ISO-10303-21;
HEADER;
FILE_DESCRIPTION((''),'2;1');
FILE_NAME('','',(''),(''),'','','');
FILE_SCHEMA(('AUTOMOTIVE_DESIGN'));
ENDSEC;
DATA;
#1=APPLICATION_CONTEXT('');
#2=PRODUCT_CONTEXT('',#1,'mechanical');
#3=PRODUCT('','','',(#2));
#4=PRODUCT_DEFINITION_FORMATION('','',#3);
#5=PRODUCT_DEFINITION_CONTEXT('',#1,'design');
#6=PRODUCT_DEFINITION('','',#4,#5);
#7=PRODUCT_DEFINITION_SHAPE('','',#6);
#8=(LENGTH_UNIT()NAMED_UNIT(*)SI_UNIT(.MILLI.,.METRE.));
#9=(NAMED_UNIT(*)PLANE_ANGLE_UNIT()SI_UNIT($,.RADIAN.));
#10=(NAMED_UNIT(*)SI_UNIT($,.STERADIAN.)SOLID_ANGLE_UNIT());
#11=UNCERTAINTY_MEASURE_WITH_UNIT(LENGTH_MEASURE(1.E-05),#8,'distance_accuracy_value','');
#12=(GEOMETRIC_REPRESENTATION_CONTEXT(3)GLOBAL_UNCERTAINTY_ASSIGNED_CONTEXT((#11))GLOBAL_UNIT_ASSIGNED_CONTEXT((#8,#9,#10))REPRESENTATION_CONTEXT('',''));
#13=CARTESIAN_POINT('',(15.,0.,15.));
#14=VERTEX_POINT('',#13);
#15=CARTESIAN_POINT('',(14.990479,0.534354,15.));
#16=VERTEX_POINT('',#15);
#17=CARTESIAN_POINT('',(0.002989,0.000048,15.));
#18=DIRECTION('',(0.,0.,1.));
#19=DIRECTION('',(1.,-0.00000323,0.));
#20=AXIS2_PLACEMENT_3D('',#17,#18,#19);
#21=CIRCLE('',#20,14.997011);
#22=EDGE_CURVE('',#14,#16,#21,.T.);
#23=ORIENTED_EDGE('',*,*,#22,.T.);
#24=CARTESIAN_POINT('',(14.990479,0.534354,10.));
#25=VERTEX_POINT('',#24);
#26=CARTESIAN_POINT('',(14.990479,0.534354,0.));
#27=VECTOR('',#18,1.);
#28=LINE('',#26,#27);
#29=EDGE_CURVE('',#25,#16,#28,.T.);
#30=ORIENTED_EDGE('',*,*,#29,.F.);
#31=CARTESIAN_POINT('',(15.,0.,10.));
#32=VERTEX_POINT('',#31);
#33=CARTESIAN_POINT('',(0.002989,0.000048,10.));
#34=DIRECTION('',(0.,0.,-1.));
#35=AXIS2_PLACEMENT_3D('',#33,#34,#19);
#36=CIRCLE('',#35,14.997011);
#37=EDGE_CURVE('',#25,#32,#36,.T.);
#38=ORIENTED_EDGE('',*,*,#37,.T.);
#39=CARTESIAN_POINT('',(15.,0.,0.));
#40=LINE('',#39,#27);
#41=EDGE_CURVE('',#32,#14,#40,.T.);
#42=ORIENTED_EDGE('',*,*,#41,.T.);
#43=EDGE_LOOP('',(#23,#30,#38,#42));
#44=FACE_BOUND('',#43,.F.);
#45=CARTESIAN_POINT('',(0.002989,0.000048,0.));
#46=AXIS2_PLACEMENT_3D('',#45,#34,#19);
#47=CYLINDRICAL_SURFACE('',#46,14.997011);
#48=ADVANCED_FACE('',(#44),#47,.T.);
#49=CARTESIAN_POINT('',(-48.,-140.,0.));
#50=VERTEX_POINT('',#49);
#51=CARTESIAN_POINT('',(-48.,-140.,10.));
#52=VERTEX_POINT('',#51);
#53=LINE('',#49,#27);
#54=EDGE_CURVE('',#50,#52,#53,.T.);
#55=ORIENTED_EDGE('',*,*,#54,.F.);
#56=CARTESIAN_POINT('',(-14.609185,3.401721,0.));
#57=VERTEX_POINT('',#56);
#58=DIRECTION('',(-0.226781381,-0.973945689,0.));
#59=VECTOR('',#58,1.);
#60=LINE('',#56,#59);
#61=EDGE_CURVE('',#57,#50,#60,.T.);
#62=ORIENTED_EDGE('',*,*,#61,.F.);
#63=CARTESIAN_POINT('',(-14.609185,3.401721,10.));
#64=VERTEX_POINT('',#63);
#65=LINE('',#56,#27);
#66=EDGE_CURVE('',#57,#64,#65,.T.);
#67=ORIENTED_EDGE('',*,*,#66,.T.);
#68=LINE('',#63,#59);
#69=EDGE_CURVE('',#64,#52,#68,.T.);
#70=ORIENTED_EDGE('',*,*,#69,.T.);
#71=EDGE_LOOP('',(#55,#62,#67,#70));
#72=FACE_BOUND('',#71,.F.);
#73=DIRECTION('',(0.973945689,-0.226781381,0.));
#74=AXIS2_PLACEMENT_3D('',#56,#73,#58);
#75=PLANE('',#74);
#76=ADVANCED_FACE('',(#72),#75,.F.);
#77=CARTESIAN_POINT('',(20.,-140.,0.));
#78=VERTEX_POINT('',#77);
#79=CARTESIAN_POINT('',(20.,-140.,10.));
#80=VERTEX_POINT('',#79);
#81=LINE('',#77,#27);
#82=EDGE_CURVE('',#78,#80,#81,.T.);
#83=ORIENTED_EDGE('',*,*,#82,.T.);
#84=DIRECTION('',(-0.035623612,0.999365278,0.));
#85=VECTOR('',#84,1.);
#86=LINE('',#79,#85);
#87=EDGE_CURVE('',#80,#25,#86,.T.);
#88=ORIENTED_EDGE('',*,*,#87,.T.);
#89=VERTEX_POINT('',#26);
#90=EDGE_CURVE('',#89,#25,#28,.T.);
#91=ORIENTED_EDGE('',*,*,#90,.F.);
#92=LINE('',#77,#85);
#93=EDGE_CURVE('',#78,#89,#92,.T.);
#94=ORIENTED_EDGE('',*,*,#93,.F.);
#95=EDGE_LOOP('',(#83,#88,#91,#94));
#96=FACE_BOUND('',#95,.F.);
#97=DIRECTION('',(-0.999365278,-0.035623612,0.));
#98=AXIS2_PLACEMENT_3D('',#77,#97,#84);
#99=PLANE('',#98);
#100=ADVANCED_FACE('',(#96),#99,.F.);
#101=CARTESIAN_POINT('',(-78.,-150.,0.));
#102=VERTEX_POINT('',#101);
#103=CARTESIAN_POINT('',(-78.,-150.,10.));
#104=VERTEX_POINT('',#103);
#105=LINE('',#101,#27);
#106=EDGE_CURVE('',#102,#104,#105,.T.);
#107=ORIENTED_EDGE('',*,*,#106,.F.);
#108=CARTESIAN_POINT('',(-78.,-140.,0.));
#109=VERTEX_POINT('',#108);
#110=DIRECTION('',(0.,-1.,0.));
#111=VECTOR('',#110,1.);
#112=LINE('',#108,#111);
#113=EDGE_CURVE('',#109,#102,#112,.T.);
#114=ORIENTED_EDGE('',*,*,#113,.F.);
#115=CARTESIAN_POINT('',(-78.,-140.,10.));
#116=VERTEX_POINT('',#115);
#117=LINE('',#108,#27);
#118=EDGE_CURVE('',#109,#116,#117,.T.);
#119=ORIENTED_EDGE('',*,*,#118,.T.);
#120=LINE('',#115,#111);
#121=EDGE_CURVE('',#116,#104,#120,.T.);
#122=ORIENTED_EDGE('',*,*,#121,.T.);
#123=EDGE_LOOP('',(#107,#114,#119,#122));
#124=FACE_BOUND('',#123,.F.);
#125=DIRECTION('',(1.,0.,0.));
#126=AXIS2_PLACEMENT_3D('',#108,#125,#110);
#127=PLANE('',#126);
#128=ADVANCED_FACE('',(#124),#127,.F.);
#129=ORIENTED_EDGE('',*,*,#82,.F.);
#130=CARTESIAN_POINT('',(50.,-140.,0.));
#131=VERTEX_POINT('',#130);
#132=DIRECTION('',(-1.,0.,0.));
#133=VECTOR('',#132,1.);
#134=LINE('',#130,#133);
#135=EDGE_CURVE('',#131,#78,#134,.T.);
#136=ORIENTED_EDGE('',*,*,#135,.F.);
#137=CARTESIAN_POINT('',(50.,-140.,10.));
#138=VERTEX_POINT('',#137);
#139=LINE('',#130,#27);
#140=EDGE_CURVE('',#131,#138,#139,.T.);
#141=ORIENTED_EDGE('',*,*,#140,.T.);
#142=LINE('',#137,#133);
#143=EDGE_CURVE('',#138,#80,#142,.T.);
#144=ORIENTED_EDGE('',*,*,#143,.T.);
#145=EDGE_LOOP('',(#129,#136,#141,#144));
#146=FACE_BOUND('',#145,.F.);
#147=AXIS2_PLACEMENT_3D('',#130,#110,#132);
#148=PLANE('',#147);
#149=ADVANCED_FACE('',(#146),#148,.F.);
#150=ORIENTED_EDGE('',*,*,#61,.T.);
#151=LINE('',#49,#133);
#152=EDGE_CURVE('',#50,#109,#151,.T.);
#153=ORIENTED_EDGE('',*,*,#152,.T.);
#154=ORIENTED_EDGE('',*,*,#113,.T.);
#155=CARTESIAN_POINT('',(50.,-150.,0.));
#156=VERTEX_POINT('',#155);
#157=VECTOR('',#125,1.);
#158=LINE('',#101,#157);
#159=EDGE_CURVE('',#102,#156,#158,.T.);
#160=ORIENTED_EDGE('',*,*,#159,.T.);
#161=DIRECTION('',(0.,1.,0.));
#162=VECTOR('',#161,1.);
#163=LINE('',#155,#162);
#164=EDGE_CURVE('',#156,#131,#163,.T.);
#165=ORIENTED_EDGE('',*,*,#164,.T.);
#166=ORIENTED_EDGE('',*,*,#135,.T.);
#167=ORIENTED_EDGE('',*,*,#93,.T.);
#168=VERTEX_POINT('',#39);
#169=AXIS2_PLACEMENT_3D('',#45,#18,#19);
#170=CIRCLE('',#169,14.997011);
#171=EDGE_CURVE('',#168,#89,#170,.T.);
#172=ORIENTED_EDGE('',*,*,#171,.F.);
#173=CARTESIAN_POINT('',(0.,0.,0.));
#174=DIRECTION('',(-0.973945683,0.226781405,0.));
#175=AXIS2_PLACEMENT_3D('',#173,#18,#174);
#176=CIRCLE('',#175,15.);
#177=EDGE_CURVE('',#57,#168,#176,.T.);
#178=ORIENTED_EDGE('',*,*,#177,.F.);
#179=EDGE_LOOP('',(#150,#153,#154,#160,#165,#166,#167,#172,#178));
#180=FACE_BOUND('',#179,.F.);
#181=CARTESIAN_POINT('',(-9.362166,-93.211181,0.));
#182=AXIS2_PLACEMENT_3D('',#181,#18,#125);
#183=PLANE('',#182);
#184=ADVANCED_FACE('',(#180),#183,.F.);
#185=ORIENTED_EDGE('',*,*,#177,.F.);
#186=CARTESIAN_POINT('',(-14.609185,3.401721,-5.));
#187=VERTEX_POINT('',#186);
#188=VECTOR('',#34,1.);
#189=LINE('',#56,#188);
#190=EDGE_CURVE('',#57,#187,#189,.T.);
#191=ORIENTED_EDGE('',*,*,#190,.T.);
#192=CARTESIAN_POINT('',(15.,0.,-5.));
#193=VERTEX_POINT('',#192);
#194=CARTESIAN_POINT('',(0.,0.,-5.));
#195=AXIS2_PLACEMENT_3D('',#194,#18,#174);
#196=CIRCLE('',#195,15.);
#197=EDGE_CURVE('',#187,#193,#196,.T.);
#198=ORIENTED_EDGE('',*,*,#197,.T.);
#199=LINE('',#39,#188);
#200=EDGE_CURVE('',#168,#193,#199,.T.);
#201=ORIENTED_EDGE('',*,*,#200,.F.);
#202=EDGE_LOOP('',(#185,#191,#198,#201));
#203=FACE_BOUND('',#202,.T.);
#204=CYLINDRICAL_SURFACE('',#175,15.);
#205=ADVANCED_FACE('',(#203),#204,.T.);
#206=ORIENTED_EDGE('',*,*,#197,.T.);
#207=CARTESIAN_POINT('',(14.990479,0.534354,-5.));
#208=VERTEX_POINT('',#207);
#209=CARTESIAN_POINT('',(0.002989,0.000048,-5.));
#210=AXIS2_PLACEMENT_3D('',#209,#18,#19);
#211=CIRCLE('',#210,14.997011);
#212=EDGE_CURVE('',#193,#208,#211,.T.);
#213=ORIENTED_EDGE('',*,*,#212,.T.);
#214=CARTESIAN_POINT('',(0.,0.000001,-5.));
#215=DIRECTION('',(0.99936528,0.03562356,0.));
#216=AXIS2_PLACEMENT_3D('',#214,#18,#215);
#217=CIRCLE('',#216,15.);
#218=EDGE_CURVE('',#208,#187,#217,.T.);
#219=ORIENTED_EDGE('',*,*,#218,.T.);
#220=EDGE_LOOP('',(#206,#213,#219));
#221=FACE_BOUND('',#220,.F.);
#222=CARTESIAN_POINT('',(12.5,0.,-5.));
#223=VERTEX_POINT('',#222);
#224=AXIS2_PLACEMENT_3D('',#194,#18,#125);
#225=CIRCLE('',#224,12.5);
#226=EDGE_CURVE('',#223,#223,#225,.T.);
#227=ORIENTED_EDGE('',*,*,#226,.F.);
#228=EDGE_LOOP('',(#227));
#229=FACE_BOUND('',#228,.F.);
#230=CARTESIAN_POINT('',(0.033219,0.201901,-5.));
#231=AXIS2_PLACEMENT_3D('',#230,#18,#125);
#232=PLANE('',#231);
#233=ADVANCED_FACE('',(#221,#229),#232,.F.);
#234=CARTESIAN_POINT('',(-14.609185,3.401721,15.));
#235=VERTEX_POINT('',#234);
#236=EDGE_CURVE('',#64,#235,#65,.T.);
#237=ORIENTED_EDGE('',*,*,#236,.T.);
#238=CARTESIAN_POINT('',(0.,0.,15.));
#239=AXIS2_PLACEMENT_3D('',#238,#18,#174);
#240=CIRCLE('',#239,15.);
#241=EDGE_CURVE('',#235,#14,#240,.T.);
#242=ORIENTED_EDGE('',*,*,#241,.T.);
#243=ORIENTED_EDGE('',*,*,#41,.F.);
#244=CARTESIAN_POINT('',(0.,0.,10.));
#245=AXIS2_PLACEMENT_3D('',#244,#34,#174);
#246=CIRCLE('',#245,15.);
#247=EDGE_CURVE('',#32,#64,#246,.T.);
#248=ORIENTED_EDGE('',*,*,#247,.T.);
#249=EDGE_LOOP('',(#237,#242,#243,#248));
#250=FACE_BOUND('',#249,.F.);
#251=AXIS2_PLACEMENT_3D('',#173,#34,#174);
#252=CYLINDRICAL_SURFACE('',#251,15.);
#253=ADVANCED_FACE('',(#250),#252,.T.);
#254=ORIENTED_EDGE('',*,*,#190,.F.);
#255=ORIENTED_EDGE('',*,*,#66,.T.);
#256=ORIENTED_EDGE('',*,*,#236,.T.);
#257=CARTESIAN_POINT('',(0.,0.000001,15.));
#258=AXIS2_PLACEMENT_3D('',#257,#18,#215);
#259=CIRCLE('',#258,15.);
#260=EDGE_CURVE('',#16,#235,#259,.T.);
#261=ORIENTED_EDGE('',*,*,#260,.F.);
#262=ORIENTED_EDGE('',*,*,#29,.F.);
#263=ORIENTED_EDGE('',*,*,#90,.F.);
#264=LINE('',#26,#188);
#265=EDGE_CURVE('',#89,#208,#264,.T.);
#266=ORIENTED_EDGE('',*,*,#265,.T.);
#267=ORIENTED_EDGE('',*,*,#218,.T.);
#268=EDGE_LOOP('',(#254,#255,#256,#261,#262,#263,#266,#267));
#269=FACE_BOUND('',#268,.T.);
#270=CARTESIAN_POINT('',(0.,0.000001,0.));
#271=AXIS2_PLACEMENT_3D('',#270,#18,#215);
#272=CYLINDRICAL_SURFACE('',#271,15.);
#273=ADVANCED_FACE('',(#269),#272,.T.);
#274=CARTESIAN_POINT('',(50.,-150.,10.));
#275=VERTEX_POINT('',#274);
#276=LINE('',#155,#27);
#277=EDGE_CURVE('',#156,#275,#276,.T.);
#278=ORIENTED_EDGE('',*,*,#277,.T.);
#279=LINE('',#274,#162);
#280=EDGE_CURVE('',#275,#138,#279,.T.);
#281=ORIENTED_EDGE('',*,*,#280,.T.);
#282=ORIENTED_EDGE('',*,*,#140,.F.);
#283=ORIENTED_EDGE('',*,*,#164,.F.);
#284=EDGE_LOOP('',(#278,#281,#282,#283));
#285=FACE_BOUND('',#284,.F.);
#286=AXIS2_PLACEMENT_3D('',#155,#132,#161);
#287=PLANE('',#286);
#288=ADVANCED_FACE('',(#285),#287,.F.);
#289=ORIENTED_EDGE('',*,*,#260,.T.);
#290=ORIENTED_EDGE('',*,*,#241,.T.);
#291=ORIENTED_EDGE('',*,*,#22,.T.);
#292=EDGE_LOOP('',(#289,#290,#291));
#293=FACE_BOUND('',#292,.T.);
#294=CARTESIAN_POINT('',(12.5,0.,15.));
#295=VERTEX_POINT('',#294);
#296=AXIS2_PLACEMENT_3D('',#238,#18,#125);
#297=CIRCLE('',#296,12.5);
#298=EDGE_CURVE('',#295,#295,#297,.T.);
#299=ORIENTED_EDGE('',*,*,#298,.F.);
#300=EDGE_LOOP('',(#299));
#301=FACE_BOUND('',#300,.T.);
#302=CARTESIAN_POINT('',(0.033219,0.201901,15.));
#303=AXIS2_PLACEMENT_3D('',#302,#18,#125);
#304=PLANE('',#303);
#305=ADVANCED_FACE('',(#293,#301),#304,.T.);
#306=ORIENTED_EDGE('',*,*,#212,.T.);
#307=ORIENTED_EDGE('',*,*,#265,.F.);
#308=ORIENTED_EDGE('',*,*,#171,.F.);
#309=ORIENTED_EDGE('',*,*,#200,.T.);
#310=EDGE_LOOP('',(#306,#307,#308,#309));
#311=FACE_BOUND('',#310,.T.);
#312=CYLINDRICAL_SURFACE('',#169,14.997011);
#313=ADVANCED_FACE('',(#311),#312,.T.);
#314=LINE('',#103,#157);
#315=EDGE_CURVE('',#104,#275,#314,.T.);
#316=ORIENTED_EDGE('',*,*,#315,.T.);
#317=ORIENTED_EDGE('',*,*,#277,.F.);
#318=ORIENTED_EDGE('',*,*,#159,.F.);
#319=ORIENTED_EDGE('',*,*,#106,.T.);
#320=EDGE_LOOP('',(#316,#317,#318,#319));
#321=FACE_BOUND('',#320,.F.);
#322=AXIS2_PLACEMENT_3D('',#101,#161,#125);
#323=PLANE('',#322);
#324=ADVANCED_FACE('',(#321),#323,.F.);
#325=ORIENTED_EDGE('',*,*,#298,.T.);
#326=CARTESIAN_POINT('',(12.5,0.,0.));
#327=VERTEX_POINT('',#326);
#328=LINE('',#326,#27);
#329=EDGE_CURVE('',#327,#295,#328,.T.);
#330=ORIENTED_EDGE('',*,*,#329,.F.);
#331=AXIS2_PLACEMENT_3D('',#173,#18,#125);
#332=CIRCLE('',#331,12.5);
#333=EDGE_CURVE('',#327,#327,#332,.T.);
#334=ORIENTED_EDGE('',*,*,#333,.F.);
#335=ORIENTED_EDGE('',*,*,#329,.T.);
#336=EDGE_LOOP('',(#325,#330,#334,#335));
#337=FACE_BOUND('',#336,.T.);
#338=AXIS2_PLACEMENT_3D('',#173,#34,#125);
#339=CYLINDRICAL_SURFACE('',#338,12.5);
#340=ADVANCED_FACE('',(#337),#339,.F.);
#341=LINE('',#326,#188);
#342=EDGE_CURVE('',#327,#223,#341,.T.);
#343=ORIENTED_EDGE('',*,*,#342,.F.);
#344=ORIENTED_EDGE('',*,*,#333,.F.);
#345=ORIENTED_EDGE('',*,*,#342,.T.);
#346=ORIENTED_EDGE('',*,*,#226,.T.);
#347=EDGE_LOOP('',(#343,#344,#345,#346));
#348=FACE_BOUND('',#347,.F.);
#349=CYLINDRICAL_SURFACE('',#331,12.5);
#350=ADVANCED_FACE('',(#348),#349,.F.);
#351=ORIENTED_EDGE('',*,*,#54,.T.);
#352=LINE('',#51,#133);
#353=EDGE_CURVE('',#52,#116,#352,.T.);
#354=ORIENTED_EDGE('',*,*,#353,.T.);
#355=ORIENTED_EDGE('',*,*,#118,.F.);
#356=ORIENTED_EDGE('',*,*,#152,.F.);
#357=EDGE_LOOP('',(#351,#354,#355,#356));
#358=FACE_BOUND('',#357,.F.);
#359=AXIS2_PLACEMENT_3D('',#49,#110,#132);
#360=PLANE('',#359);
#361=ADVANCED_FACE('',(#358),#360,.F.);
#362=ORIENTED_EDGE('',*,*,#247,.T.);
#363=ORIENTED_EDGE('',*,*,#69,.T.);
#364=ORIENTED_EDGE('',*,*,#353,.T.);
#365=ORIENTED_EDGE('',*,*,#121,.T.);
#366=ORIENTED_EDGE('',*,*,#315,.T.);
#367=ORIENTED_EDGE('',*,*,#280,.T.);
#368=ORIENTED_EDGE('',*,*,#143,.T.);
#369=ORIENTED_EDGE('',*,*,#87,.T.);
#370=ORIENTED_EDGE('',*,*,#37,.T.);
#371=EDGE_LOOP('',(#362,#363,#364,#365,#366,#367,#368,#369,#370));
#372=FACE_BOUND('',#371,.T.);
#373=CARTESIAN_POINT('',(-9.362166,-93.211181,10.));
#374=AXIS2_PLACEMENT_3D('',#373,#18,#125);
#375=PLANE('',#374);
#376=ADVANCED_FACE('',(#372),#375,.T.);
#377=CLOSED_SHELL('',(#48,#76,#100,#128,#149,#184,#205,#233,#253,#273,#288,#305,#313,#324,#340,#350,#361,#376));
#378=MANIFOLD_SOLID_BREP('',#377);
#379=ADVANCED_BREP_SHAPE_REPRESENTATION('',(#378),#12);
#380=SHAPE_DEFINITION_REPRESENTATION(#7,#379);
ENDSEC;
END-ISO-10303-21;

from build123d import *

# Parameters (mm, degrees)
F0_R          = 12.5
F1_DEPTH      = 10
F2_DEPTH      = 15
F2_DEPTH_BACK = 5


with BuildPart() as f1:
    # F0 (on Top) → F1 (new body)
    with BuildSketch(Plane.XY):
        with BuildLine():
            ThreePointArc((14.990479, 0.534354), (14.99762, 0.267219), (15, 0))
            ThreePointArc((15, 0), (-1.712048, -14.901976), (-14.609185, 3.401721))
            Line((-14.609185, 3.401721), (-48, -140))
            Line((-48, -140), (-78, -140))
            Line((-78, -140), (-78, -150))
            Line((-78, -150), (50, -150))
            Line((50, -150), (50, -140))
            Line((50, -140), (20, -140))
            Line((20, -140), (14.990479, 0.534354))
        make_face()
        with BuildLine():
            ThreePointArc((-14.609185, 3.401721), (-1.712048, -14.901976), (15, 0))
            ThreePointArc((15, 0), (14.99762, 0.267219), (14.990479, 0.534354))
            ThreePointArc((14.990479, 0.534354), (1.446304, 14.930111), (-14.609185, 3.401721))
        make_face()
        Circle(F0_R, mode=Mode.SUBTRACT)
    extrude(amount=F1_DEPTH)

    # F0 (on Top) → F2 (join, two sides)
    with BuildSketch(Plane.XY) as f2_sk:
        with BuildLine():
            ThreePointArc((-14.609185, 3.401721), (-1.712048, -14.901976), (15, 0))
            ThreePointArc((15, 0), (14.99762, 0.267219), (14.990479, 0.534354))
            ThreePointArc((14.990479, 0.534354), (1.446304, 14.930111), (-14.609185, 3.401721))
        make_face()
        Circle(F0_R, mode=Mode.SUBTRACT)
    extrude(amount=F2_DEPTH)
    extrude(f2_sk.sketch, amount=-F2_DEPTH_BACK)


solid = f1.part
